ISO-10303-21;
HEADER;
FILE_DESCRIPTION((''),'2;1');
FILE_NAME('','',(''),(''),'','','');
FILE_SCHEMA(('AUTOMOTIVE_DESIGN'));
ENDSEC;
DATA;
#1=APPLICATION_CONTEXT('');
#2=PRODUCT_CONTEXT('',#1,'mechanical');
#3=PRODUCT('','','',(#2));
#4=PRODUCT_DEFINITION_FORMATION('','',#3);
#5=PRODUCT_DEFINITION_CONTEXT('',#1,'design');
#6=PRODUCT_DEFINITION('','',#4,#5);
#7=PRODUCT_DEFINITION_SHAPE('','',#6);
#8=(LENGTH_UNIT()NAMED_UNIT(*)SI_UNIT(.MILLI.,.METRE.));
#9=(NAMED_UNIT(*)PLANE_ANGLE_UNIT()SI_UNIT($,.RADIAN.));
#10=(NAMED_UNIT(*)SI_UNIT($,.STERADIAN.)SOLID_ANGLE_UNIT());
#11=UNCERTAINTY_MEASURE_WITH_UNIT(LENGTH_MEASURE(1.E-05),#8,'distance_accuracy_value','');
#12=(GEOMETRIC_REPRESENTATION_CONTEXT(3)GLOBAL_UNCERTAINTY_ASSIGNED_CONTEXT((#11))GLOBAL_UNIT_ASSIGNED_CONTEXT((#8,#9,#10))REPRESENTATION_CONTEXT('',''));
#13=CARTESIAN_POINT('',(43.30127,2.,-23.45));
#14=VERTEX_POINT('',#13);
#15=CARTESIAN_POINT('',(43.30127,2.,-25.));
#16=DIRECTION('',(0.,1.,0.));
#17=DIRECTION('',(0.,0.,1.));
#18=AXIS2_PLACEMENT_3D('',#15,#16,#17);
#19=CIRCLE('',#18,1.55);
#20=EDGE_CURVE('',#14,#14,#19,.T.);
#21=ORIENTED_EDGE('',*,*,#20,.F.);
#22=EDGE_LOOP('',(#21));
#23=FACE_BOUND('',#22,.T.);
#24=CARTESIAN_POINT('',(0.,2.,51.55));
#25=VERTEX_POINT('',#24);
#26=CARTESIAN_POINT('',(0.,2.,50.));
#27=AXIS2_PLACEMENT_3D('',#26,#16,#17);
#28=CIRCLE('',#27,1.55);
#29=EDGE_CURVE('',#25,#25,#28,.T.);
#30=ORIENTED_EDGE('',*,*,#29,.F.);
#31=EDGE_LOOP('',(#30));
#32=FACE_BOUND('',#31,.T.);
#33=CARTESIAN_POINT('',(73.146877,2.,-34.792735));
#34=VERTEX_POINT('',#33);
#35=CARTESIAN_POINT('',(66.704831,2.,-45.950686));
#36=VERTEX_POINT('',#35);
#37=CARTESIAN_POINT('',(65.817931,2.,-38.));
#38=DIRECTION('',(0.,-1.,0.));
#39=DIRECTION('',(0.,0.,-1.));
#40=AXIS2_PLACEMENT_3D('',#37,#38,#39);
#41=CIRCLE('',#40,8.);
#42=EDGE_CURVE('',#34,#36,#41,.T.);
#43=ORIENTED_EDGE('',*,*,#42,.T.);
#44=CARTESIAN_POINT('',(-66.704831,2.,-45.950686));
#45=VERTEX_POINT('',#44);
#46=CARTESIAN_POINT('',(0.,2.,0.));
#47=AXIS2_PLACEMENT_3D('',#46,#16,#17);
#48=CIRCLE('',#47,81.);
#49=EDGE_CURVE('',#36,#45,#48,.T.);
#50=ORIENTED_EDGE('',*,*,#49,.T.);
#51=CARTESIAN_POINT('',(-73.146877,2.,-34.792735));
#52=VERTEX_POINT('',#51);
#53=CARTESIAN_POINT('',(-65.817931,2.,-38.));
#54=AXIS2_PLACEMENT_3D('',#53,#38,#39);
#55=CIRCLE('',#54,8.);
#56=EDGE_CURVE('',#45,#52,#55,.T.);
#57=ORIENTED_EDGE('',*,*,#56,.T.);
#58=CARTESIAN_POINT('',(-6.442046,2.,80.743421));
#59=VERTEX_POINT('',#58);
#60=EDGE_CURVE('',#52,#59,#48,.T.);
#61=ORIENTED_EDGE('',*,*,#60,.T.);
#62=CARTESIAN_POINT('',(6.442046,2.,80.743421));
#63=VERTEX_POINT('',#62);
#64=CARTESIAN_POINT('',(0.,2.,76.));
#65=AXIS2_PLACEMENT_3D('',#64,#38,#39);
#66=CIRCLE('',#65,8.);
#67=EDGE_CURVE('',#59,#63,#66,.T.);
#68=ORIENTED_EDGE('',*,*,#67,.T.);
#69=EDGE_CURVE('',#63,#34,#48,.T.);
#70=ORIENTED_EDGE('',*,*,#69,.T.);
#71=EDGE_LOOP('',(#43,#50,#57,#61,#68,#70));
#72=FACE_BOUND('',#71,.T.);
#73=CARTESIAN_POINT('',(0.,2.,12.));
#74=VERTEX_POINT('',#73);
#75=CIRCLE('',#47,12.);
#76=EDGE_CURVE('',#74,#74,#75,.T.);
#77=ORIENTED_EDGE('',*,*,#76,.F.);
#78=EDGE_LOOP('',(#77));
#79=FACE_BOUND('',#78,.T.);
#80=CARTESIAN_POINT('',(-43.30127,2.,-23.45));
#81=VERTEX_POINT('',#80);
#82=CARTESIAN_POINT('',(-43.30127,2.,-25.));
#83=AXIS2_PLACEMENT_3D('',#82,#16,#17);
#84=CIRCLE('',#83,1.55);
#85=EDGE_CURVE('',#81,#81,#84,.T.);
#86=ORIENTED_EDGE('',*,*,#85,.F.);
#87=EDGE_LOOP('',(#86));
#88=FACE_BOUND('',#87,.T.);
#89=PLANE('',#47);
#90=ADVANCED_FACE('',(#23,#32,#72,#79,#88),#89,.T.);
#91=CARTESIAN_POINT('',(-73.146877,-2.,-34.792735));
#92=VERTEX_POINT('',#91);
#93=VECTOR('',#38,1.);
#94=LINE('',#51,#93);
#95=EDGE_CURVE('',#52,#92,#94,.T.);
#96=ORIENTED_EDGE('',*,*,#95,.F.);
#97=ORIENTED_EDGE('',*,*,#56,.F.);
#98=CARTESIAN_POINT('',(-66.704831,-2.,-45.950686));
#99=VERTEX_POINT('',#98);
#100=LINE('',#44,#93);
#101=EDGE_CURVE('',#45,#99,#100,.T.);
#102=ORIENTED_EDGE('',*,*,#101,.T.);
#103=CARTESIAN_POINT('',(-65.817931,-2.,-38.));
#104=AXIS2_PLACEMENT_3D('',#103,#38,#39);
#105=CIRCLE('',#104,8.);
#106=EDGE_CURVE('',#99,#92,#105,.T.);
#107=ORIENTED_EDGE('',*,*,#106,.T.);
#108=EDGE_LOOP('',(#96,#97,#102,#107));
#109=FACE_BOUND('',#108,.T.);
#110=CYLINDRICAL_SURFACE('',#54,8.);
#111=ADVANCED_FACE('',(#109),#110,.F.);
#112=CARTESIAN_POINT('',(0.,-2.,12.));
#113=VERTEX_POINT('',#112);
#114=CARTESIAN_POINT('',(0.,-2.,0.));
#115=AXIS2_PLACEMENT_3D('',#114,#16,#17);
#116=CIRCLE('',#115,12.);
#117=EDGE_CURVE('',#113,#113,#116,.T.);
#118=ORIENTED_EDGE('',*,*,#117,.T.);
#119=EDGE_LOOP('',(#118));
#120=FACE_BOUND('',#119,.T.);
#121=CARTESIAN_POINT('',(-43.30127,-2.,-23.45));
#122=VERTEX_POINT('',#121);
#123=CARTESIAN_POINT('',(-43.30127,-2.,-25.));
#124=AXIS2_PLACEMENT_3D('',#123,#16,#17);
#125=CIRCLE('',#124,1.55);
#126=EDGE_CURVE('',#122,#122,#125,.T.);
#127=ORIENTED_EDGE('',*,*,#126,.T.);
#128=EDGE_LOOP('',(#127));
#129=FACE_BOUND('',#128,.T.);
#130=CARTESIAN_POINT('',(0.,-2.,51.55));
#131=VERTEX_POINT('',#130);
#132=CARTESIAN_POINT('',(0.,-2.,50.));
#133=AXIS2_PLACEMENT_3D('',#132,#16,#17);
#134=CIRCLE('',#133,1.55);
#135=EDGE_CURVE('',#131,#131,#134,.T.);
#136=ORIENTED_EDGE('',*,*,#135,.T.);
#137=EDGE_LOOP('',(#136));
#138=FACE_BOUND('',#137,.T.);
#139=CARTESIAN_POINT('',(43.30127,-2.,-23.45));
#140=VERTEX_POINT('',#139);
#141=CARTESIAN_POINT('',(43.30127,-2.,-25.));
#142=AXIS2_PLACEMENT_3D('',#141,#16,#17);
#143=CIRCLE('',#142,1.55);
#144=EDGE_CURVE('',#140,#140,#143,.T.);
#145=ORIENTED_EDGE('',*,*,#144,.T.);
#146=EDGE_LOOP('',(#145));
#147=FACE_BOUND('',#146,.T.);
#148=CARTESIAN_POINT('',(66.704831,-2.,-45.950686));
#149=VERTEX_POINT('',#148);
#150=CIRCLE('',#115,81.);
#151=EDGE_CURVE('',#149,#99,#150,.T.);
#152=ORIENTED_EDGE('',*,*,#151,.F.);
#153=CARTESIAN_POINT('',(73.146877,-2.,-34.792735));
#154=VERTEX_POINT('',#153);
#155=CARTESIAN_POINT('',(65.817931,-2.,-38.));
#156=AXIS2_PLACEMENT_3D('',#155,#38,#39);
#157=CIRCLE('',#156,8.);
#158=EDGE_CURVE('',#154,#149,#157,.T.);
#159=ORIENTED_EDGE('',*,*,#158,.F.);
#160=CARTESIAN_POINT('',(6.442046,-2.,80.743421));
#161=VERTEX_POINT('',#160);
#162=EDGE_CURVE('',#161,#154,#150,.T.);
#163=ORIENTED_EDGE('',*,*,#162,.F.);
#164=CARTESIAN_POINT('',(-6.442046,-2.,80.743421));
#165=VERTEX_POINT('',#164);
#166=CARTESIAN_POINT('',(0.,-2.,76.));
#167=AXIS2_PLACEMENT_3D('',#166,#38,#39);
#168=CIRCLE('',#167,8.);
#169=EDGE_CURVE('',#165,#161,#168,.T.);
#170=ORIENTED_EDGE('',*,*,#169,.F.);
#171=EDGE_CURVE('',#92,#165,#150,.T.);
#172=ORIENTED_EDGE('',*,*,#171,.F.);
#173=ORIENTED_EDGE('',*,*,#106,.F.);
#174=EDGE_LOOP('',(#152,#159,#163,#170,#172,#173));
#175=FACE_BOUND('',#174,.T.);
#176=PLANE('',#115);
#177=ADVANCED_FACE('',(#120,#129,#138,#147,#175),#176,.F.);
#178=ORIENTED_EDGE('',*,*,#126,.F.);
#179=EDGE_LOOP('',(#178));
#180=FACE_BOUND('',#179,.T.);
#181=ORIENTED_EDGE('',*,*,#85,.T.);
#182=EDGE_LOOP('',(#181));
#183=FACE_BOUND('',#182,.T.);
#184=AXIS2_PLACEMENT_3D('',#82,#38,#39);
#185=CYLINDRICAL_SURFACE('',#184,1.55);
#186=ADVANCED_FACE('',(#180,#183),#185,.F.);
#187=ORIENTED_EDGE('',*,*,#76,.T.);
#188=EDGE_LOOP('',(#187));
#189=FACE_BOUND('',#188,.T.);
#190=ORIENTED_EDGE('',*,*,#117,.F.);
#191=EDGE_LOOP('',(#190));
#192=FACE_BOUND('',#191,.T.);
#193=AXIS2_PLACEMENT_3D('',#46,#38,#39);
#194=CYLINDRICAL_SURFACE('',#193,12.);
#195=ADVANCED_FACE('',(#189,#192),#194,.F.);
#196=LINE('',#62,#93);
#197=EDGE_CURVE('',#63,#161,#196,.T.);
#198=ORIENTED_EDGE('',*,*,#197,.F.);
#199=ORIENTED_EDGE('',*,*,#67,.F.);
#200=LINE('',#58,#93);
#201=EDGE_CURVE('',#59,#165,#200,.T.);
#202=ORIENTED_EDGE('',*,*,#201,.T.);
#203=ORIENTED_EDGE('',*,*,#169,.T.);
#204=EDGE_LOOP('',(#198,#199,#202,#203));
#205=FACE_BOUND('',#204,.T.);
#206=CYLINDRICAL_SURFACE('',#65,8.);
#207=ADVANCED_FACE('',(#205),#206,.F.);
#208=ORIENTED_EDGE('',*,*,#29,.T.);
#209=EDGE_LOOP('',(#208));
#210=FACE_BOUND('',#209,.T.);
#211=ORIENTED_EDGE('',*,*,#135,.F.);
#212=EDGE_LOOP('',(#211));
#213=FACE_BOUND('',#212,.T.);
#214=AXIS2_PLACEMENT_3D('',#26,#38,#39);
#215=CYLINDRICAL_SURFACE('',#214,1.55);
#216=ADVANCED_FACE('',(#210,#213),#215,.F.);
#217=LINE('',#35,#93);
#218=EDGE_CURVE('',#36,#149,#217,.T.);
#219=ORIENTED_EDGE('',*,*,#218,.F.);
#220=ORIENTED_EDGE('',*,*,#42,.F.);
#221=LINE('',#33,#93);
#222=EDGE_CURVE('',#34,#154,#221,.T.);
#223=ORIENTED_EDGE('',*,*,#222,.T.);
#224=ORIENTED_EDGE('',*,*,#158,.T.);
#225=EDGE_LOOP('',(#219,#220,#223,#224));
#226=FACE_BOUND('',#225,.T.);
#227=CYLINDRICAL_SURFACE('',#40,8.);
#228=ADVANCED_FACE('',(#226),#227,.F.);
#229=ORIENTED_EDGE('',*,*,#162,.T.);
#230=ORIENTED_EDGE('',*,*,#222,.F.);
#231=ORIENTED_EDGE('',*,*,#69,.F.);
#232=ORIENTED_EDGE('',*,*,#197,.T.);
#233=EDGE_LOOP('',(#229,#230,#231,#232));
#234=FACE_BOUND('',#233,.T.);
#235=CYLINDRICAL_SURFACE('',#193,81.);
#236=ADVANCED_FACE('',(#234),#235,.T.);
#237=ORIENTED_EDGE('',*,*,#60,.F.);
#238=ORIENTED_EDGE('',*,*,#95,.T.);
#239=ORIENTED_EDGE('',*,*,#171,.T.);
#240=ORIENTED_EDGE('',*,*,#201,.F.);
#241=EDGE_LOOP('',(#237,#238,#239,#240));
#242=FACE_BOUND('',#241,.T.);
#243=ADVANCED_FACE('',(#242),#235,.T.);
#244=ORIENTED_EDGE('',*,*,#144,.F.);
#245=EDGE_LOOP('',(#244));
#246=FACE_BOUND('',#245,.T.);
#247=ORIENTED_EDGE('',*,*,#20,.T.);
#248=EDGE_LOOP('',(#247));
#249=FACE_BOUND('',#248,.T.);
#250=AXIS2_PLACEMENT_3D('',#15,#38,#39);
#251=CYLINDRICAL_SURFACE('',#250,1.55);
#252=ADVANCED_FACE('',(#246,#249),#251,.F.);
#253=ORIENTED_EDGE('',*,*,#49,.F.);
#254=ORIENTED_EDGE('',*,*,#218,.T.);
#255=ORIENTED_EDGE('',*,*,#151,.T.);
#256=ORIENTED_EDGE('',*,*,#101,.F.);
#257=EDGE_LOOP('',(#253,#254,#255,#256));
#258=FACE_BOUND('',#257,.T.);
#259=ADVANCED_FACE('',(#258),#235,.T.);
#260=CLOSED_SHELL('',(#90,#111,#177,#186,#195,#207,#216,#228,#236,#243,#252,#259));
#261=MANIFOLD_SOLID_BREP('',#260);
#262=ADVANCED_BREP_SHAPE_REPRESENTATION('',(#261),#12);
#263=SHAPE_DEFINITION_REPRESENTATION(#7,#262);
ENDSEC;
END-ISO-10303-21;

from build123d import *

# Parameters (mm, degrees)
SKETCH1_R           = 81
SKETCH1_R_2         = 1.55
SKETCH1_R_3         = 12
BOSS_EXTRUDE1_DEPTH = 2
CUT_EXTRUDE1_DEPTH  = 5


with BuildPart() as part:
    # Sketch1 → Boss-Extrude1 (new body, symmetric)
    with BuildSketch(Plane(origin=(0, 0, 0), x_dir=(1, 0, 0), z_dir=(0, 1, 0))):
        Circle(SKETCH1_R)
        with Locations((43.301270189, 25)):
            Circle(SKETCH1_R_2, mode=Mode.SUBTRACT)
        with Locations((0, -50)):
            Circle(SKETCH1_R_2, mode=Mode.SUBTRACT)
        with Locations((-43.301270189, 25)):
            Circle(SKETCH1_R_2, mode=Mode.SUBTRACT)
        Circle(SKETCH1_R_3, mode=Mode.SUBTRACT)
    extrude(amount=BOSS_EXTRUDE1_DEPTH, both=True)

    # Sketch2 → Cut-Extrude1 (cut, through all)
    with BuildSketch(Plane.XZ.offset(2)):
        with BuildLine():
            ThreePointArc((-66.704830818, -45.950686018), (-58.889727457, -34), (-73.146876822, -34.792735035))
            ThreePointArc((-73.146876822, -34.792735035), (-70.148057707, -40.5), (-66.704830818, -45.950686018))
        make_face()
        with BuildLine():
            ThreePointArc((66.704830818, -45.950686018), (70.148057707, -40.5), (73.146876822, -34.792735035))
            ThreePointArc((73.146876822, -34.792735035), (58.889727457, -34), (66.704830818, -45.950686018))
        make_face()
        with BuildLine():
            ThreePointArc((-6.442046004, 80.743421053), (0, 68), (6.442046004, 80.743421053))
            ThreePointArc((6.442046004, 80.743421053), (0, 81), (-6.442046004, 80.743421053))
        make_face()
    extrude(amount=-CUT_EXTRUDE1_DEPTH, mode=Mode.SUBTRACT)


solid = part.part
